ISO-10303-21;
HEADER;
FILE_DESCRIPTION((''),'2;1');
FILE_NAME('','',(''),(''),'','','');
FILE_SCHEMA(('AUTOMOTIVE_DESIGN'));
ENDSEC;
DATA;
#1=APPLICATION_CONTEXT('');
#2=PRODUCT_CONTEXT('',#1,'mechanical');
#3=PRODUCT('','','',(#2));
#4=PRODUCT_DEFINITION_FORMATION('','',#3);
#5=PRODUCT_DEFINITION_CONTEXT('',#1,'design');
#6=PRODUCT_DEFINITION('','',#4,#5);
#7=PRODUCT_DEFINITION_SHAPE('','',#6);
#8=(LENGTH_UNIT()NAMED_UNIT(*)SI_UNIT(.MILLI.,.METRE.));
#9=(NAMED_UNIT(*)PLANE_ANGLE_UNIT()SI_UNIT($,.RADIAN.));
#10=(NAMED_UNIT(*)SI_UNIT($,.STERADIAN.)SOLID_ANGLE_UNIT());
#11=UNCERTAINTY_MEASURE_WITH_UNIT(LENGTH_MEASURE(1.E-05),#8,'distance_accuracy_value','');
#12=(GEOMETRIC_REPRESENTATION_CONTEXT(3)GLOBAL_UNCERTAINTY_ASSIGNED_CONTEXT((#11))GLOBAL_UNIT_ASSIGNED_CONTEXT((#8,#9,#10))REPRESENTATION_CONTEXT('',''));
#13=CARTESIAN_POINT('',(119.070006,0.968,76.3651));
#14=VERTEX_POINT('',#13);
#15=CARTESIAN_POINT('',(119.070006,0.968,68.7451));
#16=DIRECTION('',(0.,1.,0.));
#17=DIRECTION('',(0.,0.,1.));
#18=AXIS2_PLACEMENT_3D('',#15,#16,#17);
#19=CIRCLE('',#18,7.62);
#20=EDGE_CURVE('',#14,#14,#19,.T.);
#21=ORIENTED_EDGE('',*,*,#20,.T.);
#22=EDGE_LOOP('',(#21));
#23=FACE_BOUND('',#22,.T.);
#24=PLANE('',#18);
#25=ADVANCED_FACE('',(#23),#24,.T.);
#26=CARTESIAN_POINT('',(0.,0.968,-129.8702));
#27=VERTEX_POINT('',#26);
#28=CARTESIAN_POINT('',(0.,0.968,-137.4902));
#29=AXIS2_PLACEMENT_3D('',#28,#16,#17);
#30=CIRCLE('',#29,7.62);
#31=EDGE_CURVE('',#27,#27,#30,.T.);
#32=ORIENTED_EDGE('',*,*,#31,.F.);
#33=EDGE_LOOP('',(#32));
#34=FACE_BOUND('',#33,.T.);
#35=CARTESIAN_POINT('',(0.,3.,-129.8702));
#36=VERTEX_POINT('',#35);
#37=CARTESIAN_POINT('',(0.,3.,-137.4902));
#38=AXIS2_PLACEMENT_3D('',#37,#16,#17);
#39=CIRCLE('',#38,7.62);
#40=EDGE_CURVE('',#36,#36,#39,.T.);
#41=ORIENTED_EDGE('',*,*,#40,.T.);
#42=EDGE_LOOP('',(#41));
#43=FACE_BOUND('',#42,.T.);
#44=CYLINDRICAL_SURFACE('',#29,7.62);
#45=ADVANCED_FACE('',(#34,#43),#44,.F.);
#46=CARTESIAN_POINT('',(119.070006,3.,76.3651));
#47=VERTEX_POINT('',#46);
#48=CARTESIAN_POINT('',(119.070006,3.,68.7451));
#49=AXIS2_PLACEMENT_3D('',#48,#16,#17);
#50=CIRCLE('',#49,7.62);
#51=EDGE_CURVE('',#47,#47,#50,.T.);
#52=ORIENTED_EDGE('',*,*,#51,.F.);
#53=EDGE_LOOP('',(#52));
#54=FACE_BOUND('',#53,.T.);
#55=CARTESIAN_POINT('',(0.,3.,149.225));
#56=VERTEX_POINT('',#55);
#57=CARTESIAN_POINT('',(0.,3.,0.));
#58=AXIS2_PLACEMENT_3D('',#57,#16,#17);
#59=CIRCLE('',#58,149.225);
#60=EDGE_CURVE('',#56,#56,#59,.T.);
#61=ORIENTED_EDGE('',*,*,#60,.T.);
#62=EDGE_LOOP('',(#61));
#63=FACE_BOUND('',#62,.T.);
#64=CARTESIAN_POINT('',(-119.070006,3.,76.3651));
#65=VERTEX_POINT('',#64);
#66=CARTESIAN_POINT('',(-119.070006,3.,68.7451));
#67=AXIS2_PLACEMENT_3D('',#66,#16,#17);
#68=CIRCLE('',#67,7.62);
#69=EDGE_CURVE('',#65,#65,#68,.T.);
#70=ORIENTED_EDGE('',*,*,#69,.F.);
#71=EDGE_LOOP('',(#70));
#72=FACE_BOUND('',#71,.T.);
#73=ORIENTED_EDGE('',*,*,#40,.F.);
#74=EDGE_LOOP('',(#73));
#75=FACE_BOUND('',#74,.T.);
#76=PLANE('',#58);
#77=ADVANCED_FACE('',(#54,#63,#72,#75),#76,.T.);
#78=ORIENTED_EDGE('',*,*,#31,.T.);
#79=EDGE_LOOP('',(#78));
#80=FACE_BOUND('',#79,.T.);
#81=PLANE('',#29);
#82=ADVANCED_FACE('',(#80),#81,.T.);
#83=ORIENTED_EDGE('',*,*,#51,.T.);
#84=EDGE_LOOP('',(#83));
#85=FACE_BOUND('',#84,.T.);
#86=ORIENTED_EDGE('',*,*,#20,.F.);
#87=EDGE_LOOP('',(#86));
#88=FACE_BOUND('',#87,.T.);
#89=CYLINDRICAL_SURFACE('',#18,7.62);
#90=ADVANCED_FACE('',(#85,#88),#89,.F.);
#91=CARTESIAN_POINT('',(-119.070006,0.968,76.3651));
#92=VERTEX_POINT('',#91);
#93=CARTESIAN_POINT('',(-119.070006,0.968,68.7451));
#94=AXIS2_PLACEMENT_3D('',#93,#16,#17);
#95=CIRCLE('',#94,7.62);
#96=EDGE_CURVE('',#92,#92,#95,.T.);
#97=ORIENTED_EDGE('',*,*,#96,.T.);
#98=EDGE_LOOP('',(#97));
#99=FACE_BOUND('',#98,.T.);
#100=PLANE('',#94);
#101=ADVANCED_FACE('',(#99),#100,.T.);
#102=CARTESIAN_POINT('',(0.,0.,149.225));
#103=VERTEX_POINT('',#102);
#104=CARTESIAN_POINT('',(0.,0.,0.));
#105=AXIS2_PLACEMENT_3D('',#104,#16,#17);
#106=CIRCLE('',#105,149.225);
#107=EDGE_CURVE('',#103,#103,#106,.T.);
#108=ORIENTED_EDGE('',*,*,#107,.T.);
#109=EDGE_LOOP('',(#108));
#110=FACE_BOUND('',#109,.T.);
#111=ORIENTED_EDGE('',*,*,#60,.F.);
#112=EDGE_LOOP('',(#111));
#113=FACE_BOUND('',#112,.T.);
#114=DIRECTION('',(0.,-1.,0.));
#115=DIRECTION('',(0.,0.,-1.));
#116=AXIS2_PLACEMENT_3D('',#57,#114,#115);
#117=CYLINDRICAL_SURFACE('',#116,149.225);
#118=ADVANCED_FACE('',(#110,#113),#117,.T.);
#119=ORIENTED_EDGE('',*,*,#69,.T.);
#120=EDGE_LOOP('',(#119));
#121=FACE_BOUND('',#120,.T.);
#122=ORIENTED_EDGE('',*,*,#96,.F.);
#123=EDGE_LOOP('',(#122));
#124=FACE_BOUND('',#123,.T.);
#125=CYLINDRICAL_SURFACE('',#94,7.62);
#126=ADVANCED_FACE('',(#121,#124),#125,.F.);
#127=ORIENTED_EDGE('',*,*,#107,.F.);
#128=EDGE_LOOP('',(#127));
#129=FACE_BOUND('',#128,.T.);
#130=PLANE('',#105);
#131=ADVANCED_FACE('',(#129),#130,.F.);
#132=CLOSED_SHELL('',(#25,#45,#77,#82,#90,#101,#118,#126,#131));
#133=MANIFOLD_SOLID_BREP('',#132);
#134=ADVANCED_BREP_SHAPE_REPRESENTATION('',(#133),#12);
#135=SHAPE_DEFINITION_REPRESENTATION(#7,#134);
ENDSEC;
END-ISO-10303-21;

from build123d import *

# Parameters (mm, degrees)
SKETCH1_R           = 149.225
BOSS_EXTRUDE1_DEPTH = 3
SKETCH2_R           = 7.62
CUT_EXTRUDE1_DEPTH  = 2.032


with BuildPart() as part:
    # Sketch1 → Boss-Extrude1 (new body)
    with BuildSketch(Plane(origin=(0, 0, 0), x_dir=(1, 0, 0), z_dir=(0, 1, 0))):
        Circle(SKETCH1_R)
    extrude(amount=BOSS_EXTRUDE1_DEPTH)

    # Sketch2 → Cut-Extrude1 (cut)
    with BuildSketch(Plane(origin=(0, 3, 0), x_dir=(1, 0, 0), z_dir=(0, 1, 0))):
        with Locations((0, 137.4902)):
            Circle(SKETCH2_R)
        with Locations((119.070005971, -68.7451)):
            Circle(SKETCH2_R)
        with Locations((-119.070005971, -68.7451)):
            Circle(SKETCH2_R)
    extrude(amount=-CUT_EXTRUDE1_DEPTH, mode=Mode.SUBTRACT)


solid = part.part
